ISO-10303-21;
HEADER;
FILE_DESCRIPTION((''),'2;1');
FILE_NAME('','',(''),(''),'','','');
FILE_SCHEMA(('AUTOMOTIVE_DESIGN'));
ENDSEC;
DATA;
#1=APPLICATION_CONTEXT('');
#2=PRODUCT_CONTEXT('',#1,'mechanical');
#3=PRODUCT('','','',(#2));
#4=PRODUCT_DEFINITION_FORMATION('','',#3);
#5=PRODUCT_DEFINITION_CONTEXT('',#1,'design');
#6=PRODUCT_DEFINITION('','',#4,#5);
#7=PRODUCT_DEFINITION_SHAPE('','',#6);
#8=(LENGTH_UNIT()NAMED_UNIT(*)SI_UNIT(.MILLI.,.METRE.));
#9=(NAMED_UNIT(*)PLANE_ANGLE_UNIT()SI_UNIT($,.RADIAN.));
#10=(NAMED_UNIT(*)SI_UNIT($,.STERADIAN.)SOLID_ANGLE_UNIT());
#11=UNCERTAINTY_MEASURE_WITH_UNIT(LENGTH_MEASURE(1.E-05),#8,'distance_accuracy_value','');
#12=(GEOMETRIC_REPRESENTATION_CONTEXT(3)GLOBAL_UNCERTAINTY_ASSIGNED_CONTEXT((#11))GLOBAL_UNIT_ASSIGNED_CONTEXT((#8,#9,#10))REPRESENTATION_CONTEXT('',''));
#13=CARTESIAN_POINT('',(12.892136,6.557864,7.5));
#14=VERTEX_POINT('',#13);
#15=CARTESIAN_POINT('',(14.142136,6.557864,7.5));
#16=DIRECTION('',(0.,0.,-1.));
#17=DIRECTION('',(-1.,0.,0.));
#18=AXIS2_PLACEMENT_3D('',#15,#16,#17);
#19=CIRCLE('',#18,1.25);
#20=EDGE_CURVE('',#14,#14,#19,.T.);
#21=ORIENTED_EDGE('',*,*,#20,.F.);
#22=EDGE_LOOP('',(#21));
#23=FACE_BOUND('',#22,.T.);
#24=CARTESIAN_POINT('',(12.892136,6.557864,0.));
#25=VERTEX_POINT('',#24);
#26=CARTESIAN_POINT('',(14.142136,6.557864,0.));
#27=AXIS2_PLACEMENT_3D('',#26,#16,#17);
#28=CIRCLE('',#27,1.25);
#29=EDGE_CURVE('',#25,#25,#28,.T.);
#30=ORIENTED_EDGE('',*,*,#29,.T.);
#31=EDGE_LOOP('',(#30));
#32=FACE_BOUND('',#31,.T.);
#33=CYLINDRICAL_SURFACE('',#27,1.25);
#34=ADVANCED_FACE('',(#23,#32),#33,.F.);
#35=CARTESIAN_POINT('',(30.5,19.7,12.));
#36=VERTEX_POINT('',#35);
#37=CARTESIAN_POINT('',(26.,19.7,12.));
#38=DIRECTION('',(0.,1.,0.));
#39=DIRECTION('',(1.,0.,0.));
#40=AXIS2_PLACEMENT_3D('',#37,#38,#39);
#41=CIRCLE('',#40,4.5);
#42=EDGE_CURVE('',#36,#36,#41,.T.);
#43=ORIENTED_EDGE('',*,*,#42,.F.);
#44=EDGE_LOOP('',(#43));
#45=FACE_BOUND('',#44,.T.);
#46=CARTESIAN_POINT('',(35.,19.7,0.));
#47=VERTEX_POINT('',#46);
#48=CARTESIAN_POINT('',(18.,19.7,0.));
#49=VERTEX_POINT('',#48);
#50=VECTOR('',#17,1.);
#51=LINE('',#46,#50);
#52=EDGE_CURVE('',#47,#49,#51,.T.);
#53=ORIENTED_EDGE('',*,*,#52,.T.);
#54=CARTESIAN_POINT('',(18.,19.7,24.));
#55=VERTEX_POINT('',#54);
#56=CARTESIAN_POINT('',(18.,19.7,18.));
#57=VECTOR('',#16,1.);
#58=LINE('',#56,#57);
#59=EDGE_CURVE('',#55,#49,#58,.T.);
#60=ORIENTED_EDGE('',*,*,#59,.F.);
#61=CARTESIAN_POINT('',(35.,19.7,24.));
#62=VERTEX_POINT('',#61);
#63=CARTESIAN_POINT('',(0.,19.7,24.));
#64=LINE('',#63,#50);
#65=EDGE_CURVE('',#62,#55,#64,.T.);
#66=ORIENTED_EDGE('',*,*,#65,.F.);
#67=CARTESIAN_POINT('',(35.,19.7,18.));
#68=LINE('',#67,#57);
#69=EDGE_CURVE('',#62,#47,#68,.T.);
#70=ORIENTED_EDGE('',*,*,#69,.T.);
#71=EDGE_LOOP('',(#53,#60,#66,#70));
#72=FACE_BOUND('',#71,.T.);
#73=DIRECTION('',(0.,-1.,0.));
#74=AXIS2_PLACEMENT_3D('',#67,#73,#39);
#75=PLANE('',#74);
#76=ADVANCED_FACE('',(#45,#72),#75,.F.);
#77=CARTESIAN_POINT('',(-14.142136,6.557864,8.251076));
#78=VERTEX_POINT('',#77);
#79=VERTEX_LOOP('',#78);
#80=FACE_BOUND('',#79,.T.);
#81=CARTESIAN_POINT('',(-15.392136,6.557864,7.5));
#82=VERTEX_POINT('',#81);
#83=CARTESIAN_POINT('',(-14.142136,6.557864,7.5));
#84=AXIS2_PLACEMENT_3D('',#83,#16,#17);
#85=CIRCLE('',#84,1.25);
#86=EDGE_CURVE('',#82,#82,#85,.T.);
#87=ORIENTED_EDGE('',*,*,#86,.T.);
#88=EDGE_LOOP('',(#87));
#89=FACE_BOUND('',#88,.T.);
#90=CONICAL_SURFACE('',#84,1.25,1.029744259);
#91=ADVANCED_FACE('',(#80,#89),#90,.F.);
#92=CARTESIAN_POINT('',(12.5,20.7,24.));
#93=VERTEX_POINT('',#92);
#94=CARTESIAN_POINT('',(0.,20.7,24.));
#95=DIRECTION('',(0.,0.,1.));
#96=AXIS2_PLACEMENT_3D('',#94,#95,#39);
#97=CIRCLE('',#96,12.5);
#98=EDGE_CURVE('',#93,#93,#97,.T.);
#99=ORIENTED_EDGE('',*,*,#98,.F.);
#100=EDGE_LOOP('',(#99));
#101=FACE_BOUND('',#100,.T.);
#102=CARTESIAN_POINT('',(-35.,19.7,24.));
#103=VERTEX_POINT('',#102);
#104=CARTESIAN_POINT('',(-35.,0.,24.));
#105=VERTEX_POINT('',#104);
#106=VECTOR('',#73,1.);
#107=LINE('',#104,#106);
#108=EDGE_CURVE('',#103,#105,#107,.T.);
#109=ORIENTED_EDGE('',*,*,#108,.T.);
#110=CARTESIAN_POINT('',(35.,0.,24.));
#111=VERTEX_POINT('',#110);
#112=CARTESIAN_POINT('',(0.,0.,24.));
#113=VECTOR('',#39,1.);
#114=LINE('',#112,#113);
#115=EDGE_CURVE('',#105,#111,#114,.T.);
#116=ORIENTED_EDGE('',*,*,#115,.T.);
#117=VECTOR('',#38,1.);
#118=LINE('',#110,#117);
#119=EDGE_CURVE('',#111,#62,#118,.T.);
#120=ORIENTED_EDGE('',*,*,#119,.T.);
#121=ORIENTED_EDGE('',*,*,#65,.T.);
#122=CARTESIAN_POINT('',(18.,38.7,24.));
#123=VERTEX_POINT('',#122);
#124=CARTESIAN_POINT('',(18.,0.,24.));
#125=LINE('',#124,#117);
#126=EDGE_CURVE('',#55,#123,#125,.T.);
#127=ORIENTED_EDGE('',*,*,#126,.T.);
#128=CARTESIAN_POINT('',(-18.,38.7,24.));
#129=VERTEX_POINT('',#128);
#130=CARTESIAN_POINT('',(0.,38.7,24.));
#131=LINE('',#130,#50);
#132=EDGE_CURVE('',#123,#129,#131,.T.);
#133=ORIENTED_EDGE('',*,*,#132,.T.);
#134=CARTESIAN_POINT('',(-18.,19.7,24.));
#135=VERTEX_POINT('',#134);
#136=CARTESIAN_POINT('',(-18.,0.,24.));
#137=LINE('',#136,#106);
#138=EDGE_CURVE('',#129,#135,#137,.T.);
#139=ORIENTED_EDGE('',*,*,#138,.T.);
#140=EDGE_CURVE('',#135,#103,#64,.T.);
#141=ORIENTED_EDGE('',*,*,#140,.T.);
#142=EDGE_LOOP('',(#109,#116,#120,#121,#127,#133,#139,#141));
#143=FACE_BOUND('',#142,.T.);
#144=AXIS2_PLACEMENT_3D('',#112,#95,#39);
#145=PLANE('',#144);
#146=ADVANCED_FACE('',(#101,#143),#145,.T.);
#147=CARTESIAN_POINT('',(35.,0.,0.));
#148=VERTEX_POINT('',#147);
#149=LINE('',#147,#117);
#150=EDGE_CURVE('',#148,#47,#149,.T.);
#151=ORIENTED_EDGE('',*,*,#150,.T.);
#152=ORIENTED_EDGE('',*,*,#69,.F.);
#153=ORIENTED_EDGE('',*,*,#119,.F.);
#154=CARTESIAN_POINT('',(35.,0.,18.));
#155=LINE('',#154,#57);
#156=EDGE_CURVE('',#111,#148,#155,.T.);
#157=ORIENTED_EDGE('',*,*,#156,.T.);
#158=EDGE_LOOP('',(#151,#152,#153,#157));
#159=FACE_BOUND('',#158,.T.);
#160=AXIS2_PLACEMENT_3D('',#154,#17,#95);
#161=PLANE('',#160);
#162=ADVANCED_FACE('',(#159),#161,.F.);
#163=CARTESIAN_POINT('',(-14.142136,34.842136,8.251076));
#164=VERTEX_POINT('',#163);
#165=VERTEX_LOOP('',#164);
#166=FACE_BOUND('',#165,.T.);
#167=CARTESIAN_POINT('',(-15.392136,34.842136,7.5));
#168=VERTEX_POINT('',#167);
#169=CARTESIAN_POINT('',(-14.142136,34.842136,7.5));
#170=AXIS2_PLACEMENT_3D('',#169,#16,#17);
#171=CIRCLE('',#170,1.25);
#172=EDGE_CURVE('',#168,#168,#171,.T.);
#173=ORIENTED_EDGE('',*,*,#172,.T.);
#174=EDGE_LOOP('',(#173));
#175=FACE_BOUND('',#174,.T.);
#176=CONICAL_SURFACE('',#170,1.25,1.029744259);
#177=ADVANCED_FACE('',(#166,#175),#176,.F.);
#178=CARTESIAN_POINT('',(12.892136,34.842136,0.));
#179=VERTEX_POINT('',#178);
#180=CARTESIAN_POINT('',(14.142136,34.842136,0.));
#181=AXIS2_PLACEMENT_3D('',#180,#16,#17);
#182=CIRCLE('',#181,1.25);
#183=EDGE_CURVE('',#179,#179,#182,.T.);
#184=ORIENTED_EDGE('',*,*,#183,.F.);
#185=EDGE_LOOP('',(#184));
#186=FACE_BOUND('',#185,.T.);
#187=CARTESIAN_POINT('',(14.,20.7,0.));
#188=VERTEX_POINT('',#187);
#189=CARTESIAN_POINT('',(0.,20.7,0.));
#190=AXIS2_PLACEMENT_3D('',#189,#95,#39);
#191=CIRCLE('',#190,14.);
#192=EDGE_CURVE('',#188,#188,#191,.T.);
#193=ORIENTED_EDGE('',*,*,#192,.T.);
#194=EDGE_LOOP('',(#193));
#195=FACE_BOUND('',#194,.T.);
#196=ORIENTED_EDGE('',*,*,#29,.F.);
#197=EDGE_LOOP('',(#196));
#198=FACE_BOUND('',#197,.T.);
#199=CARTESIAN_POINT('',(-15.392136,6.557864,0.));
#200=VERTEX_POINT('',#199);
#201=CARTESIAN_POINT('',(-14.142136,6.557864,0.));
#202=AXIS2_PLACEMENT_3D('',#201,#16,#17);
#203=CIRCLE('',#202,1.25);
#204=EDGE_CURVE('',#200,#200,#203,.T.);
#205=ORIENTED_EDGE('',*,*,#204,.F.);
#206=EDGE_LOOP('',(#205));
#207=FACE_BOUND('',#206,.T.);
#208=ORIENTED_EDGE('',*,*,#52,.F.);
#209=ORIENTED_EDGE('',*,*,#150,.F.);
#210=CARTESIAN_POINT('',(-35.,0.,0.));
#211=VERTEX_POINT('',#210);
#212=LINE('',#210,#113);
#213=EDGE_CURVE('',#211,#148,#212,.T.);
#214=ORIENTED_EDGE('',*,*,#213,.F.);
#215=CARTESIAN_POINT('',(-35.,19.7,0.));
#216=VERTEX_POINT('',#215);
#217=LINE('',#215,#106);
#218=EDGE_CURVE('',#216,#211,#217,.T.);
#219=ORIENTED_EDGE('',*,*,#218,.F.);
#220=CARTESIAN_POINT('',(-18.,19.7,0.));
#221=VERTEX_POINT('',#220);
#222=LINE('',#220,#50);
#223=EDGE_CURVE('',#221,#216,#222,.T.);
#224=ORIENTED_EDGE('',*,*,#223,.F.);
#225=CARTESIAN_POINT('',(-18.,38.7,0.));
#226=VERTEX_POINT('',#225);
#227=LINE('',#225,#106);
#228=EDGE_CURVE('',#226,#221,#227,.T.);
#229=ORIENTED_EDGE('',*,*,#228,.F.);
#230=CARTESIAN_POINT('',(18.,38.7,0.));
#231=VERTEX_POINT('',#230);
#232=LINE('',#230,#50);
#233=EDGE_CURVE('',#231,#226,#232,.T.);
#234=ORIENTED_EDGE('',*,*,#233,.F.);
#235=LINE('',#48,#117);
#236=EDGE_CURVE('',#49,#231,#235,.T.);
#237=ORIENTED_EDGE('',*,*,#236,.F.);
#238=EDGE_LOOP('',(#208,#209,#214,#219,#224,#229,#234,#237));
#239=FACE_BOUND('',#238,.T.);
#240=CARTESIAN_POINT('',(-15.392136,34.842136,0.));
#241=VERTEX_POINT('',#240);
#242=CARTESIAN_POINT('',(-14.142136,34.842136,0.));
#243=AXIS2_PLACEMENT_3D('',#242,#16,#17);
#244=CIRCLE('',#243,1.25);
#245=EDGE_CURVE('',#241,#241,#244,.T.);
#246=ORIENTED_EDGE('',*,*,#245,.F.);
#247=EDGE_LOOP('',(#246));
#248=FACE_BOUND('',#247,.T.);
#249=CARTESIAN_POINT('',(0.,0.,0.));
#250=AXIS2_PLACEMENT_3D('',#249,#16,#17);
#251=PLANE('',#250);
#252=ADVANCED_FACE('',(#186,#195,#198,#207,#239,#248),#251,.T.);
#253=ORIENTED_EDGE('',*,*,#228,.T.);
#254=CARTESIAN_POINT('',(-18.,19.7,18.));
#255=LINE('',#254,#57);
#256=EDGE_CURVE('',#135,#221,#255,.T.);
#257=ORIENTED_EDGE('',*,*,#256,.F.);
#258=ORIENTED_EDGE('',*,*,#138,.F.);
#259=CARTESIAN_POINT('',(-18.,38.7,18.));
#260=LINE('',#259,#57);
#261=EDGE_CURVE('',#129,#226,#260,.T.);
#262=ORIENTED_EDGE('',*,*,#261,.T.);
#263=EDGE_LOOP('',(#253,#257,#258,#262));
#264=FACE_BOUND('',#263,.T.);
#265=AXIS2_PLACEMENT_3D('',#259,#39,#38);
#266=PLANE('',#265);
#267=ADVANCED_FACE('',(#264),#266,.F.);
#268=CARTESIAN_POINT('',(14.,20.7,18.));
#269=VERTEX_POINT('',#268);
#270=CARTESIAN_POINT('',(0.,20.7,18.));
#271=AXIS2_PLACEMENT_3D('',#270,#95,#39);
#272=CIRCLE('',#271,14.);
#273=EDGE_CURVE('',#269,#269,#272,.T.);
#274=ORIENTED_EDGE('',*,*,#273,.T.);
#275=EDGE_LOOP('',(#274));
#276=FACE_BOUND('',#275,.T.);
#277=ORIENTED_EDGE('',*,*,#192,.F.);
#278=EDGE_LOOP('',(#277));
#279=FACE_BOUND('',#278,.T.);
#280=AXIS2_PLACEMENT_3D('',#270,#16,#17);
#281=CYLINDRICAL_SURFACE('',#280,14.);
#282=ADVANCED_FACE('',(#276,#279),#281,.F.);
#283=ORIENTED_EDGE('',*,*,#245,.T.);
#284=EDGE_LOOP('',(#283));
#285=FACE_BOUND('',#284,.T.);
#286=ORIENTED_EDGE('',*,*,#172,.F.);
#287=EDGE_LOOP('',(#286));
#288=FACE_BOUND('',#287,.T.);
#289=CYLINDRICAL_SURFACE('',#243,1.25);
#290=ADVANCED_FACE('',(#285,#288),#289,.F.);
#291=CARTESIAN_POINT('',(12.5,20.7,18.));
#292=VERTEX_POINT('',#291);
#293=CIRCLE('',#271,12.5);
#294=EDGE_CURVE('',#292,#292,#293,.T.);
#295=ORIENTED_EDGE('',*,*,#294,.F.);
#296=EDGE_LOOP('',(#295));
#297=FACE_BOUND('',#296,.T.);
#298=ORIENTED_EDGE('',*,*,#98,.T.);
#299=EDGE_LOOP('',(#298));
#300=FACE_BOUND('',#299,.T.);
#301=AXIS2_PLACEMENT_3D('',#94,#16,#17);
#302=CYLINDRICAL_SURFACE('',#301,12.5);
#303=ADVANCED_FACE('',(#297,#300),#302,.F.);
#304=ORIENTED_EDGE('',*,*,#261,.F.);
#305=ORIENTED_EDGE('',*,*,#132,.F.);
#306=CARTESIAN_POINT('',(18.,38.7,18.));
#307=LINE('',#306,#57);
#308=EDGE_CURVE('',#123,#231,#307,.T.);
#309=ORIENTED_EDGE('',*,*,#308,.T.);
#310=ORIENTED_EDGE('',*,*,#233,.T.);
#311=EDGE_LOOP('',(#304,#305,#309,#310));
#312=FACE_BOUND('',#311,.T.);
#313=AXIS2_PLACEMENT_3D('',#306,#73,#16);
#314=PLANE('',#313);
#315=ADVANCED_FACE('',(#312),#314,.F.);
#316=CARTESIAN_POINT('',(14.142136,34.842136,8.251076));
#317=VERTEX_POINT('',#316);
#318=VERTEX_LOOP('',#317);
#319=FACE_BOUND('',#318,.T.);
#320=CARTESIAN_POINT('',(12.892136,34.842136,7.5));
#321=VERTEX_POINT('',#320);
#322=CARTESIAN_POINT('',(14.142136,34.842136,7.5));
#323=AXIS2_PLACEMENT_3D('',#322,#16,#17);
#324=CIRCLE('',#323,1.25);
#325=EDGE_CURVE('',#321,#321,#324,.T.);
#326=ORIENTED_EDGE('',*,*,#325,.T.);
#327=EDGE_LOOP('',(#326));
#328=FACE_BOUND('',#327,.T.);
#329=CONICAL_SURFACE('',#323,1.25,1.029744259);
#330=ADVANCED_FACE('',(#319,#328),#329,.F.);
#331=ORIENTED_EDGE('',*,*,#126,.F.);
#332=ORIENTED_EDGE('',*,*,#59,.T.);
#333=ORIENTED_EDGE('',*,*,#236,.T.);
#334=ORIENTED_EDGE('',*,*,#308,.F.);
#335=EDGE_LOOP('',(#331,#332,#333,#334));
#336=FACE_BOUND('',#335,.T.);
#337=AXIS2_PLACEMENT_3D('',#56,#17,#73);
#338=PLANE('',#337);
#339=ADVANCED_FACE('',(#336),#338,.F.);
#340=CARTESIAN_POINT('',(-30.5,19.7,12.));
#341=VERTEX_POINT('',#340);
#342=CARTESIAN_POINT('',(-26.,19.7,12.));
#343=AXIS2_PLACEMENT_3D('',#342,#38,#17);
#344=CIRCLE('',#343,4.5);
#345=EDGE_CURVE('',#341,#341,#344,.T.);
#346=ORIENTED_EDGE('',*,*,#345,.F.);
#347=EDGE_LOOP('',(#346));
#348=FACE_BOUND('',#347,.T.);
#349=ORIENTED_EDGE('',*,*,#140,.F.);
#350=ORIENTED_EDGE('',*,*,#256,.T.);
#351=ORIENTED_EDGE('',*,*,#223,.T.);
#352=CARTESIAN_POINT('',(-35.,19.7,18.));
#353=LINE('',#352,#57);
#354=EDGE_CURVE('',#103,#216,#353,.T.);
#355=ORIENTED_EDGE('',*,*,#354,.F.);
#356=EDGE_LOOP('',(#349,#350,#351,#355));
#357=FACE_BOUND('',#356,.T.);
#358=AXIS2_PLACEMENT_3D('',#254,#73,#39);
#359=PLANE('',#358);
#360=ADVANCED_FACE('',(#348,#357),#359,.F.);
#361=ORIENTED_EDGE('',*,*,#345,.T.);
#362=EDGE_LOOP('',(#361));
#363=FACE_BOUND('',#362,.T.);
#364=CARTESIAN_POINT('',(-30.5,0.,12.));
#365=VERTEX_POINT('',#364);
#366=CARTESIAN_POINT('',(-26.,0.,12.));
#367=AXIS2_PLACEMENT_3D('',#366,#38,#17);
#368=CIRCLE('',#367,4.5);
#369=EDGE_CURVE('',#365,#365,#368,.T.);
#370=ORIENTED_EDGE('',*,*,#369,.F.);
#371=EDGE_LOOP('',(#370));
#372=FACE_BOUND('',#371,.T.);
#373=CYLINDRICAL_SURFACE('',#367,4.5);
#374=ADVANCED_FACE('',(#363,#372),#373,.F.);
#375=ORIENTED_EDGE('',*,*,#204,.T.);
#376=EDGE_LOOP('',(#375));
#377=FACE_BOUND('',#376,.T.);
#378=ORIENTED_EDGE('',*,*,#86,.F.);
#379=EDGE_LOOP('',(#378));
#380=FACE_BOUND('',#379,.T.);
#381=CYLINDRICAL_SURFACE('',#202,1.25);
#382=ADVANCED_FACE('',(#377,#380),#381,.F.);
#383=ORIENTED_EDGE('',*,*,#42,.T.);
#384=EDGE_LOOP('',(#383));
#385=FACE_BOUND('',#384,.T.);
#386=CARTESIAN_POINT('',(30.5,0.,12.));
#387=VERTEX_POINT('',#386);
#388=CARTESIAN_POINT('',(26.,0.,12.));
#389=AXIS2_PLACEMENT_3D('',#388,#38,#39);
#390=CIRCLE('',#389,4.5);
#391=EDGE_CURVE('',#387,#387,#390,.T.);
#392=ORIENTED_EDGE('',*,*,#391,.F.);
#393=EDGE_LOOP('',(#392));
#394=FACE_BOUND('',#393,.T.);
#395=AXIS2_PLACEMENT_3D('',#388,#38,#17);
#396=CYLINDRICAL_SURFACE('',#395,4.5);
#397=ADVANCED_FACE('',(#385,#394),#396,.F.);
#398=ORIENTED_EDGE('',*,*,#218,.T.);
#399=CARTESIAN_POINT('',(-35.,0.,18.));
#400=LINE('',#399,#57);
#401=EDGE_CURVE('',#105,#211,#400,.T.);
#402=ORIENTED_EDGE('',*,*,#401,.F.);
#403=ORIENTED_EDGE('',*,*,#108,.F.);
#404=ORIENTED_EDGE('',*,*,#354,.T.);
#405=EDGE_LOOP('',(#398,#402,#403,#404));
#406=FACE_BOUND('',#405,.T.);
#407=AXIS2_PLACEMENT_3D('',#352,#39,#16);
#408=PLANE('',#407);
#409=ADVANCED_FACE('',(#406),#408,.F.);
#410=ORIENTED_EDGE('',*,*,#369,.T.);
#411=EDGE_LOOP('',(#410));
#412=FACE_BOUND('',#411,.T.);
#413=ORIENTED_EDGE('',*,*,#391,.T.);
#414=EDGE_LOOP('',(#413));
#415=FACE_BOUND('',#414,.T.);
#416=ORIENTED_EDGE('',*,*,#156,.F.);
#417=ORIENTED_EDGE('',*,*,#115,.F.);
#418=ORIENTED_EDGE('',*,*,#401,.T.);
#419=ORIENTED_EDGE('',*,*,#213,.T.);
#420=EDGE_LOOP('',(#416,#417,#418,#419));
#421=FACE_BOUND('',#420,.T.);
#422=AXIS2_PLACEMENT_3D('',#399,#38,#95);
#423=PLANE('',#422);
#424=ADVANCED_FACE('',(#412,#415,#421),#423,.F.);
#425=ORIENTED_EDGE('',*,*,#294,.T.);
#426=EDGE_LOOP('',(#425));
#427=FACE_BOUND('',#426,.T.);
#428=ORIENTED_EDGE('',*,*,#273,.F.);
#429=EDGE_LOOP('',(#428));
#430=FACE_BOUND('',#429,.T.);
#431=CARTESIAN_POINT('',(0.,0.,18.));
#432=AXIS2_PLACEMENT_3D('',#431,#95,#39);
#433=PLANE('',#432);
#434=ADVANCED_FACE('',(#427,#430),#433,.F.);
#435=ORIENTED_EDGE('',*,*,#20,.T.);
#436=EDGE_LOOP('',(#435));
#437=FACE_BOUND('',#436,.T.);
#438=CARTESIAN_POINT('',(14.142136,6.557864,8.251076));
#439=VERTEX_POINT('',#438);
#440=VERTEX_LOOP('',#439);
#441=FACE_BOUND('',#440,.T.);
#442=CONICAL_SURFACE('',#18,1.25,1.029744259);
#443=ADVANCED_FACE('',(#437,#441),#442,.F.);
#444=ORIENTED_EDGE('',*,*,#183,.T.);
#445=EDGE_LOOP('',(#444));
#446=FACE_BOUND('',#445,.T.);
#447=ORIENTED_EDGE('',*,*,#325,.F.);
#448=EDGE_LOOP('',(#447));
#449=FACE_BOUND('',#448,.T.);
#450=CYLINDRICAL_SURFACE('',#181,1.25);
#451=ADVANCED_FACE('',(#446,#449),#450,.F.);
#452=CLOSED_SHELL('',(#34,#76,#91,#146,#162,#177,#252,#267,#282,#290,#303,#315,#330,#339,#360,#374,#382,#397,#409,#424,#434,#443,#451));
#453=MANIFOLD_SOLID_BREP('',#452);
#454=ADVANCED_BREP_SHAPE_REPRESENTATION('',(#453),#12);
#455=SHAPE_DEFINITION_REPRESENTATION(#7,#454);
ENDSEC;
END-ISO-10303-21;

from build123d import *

# Parameters (mm, degrees)
ESBO_O1_R                     = 14
RESSALTO_EXTRUS_O3_DEPTH      = 18
ESBO_O3_R                     = 14
ESBO_O3_R_2                   = 12.5
RESSALTO_EXTRUS_O4_DEPTH      = 6
ESBO_O4_R                     = 4.5
CORTE_EXTRUS_O1_DEPTH         = 47.787712062
FURO_ROSCADO_DE_M3X0_51_D     = 2.5
FURO_ROSCADO_DE_M3X0_51_DEPTH = 7.5
FURO_ROSCADO_DE_M3X0_51_TIP   = 0.751075774


with BuildPart() as part:
    # Esboço1 → Ressalto-extrusão3 (new body)
    with BuildSketch(Plane.XY):
        Polygon((-35, 0), (35, 0), (35, 19.7), (18, 19.7), (18, 38.7), (-18, 38.7), (-18, 19.7), (-35, 19.7), align=None)
        with Locations((0, 20.7)):
            Circle(ESBO_O1_R, mode=Mode.SUBTRACT)
    extrude(amount=RESSALTO_EXTRUS_O3_DEPTH)

    # Esboço3 → Ressalto-extrusão4 (add)
    # profile 1 of 2: a face of its own
    with BuildSketch(Plane.XY.offset(18)):
        Polygon((35, 0), (35, 19.7), (18, 19.7), (18, 38.7), (-18, 38.7), (-18, 19.7), (-35, 19.7), (-35, 0), align=None)
        with Locations((0, 20.7)):
            Circle(ESBO_O3_R, mode=Mode.SUBTRACT)
    # profile 2 of 2: a face of its own
    with BuildSketch(Plane.XY.offset(18)):
        with Locations((0, 20.7)):
            Circle(ESBO_O3_R)
        with Locations((0, 20.7)):
            Circle(ESBO_O3_R_2, mode=Mode.SUBTRACT)
    extrude(amount=RESSALTO_EXTRUS_O4_DEPTH)

    # Esboço4 → Corte-extrusão1 (cut, through all)
    with BuildSketch(Plane(origin=(0, 19.7, 0), x_dir=(1, 0, 0), z_dir=(0, 1, 0))):
        with Locations(Location((-26, -12, 0), (0, 0, 180))):
            Circle(ESBO_O4_R)
        with Locations((26, -12)):
            Circle(ESBO_O4_R)
    extrude(amount=-CORTE_EXTRUS_O1_DEPTH, mode=Mode.SUBTRACT)

    # Furo roscado de M3x0.51
    with Locations(Plane(origin=(0, 0, 0), x_dir=(-1, 0, 0), z_dir=(0, 0, -1))):
        with Locations((14.142135624, 34.842135624), (14.142135624, 6.557864376), (-14.142135624, 6.557864376), (-14.142135624, 34.842135624)):
            Hole(FURO_ROSCADO_DE_M3X0_51_D / 2, depth=FURO_ROSCADO_DE_M3X0_51_DEPTH)
            with Locations((0, 0, -(FURO_ROSCADO_DE_M3X0_51_DEPTH + FURO_ROSCADO_DE_M3X0_51_TIP / 2))):  # 118° drill point
                Cone(0, FURO_ROSCADO_DE_M3X0_51_D / 2, FURO_ROSCADO_DE_M3X0_51_TIP, mode=Mode.SUBTRACT)


solid = part.part
